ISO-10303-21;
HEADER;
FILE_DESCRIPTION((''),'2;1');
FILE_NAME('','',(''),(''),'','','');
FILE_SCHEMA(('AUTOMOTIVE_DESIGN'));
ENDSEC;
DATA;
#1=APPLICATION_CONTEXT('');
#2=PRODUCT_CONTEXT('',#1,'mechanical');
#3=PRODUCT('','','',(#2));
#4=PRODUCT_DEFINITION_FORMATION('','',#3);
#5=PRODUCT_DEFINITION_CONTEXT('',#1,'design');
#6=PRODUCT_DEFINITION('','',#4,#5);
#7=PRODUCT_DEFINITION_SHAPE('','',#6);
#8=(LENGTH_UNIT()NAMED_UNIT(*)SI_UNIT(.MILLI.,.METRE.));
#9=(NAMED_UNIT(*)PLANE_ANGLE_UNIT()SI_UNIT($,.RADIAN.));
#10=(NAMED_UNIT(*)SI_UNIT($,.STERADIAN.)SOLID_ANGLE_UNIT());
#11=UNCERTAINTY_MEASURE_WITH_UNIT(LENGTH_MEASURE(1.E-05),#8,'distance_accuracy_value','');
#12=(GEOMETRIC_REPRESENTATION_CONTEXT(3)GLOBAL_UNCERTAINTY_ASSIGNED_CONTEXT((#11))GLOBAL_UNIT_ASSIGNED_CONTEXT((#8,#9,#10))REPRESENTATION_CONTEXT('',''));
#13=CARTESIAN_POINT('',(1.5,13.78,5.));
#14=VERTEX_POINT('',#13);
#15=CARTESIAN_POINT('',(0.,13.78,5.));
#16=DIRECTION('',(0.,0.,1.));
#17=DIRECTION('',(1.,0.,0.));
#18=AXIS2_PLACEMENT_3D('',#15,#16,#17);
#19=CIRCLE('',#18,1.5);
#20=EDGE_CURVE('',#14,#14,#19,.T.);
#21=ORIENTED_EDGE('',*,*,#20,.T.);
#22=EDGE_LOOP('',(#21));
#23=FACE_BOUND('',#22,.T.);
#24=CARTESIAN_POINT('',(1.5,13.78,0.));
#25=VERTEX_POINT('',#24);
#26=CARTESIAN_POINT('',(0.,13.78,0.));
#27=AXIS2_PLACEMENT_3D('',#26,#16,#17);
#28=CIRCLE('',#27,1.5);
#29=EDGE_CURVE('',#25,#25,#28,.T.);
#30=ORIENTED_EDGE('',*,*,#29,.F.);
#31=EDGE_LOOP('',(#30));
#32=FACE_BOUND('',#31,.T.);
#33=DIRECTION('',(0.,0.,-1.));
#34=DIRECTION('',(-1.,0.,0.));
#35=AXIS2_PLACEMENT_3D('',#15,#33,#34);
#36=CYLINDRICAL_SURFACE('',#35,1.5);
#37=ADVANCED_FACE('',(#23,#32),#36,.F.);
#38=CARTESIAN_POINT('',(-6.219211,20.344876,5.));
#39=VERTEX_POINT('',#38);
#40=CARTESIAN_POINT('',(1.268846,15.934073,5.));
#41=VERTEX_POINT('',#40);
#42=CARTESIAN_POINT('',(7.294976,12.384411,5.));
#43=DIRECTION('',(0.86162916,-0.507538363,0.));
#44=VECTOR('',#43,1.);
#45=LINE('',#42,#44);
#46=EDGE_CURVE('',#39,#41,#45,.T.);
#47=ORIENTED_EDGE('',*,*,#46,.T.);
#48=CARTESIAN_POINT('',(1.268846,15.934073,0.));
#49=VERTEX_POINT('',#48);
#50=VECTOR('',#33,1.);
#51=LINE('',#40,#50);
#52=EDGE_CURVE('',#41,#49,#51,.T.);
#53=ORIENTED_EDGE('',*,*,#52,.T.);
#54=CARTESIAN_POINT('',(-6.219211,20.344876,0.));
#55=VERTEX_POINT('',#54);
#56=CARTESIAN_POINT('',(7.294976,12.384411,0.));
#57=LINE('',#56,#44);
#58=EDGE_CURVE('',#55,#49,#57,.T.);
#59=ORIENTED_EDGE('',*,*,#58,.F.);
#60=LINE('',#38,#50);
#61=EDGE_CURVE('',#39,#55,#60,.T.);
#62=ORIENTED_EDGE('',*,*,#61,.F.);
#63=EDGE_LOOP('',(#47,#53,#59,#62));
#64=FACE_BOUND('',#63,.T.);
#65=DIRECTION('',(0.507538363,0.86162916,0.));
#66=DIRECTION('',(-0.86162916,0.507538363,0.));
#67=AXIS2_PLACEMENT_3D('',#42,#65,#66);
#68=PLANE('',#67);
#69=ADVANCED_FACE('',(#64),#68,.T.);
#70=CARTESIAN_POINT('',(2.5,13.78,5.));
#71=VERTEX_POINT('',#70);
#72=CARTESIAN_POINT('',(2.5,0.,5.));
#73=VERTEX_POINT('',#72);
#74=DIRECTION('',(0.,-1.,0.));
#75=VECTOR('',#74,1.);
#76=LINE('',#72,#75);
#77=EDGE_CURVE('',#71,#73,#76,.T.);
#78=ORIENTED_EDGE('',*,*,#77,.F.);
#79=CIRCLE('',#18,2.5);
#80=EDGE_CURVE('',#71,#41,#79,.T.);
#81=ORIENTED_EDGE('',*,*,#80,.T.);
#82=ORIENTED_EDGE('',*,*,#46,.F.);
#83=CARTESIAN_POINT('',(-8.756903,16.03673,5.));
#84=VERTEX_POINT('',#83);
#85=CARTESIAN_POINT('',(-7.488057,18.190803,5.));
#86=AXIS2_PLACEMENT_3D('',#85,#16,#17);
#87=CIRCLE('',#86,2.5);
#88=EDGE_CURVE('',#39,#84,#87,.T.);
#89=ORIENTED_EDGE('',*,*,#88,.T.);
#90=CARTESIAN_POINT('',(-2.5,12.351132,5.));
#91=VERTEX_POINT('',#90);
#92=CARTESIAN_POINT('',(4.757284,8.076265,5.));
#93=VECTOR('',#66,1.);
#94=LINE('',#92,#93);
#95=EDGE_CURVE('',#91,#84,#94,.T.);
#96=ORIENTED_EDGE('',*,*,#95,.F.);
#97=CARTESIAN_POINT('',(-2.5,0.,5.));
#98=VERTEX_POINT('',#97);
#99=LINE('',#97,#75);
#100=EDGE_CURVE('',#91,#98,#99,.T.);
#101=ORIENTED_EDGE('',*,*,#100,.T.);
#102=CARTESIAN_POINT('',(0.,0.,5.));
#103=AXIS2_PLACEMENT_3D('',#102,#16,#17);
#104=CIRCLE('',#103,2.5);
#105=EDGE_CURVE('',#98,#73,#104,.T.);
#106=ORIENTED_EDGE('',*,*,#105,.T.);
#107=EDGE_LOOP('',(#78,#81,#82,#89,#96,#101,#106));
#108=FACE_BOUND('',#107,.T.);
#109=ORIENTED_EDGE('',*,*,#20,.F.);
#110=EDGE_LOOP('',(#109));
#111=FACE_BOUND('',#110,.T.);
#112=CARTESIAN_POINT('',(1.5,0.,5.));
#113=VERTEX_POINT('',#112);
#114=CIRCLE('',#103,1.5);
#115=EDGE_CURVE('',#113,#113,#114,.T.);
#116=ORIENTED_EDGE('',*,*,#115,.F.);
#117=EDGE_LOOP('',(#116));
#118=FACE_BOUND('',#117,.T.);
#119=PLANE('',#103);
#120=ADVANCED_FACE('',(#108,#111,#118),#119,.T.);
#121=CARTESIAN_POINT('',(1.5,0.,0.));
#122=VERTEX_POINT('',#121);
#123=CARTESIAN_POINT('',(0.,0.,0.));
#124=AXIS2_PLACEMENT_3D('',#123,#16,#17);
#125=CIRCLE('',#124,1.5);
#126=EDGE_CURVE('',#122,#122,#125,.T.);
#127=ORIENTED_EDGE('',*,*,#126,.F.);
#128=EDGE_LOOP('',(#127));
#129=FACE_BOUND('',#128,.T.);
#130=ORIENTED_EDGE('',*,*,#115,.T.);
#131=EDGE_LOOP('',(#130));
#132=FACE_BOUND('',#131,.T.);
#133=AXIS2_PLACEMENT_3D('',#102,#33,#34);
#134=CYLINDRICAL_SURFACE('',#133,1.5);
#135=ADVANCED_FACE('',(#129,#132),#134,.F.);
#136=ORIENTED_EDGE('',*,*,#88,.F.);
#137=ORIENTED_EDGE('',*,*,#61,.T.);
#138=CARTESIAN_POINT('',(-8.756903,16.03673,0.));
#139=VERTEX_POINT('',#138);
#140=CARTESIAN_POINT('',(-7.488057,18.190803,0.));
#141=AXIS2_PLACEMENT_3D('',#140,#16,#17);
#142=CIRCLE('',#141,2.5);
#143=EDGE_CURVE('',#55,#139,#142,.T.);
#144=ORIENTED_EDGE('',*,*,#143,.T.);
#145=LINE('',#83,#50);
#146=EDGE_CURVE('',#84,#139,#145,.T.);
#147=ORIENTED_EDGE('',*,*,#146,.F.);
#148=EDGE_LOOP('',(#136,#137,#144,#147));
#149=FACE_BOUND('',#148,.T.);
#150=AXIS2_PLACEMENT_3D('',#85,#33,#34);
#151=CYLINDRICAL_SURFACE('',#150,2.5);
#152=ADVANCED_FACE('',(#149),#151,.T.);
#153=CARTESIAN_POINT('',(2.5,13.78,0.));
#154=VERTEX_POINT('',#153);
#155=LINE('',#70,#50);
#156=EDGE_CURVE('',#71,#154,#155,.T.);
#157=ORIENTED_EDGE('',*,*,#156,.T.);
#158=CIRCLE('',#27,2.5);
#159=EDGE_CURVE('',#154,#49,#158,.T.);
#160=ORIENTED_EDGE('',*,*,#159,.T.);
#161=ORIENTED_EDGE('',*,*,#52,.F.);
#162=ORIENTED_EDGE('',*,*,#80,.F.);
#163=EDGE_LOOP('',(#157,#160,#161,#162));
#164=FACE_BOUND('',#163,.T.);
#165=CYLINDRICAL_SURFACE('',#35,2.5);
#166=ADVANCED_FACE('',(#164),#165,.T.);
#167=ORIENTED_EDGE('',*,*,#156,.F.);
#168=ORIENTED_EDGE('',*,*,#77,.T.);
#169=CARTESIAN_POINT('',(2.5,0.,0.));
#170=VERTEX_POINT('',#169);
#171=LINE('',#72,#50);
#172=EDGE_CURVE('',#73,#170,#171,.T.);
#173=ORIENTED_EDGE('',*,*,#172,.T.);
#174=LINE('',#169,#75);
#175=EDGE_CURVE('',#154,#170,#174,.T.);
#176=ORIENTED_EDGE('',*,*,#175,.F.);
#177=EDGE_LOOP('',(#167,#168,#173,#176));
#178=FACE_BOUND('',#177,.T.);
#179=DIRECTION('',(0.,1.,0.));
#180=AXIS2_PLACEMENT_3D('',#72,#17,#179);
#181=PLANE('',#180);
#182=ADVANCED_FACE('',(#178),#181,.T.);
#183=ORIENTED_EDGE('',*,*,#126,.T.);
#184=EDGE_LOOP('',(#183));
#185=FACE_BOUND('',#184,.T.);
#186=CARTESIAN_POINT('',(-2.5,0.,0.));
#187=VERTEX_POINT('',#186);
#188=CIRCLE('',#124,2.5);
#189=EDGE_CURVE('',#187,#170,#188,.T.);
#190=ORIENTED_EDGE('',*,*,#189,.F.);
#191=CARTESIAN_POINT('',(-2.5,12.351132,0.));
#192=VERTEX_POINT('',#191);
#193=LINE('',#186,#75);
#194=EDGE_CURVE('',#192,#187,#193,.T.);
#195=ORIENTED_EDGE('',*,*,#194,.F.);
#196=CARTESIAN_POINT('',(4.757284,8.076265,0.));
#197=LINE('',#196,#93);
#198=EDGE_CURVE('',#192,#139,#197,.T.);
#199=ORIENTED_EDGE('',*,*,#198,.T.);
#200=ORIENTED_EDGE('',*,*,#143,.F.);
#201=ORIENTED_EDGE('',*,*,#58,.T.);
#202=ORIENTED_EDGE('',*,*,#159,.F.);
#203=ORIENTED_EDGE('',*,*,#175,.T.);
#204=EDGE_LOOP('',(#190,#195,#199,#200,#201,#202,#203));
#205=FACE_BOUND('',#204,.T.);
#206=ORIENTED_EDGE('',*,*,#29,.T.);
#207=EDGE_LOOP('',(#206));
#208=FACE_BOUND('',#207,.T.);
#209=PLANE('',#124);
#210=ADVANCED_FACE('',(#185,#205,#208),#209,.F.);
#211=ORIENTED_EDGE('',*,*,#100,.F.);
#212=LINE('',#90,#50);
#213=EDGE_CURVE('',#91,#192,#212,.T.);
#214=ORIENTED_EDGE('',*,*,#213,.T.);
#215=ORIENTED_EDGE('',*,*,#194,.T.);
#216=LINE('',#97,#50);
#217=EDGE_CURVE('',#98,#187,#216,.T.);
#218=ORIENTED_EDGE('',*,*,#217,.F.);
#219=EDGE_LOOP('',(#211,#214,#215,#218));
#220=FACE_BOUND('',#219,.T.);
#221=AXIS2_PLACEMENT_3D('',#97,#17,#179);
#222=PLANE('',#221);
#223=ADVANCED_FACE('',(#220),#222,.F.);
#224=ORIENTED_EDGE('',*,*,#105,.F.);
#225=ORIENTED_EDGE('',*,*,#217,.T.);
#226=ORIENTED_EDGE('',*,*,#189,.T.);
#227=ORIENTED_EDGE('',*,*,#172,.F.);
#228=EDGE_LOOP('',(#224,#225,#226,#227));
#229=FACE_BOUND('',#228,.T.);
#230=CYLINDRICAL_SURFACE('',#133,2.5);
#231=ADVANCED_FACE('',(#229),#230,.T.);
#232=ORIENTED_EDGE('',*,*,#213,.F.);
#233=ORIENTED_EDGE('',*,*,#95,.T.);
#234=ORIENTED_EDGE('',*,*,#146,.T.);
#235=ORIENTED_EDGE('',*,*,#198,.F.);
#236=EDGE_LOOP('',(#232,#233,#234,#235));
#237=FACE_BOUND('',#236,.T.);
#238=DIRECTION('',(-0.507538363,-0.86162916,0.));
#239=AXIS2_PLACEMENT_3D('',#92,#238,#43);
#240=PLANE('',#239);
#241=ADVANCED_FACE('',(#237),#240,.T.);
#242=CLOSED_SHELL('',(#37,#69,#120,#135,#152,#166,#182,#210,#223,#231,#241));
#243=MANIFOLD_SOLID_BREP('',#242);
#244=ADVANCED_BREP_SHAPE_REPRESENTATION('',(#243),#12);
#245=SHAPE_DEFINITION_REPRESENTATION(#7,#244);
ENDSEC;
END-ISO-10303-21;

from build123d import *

# Parameters (mm, degrees)
SKIZZE1_R                       = 1.5
AUFSATZ_LINEAR_AUSTRAGEN1_DEPTH = 5


with BuildPart() as part:
    # Skizze1 → Aufsatz-Linear austragen1 (new body)
    with BuildSketch(Plane.XY):
        with BuildLine():
            ThreePointArc((-2.5, 0), (0, -2.5), (2.5, 0))
            Line((2.5, 0), (2.5, 13.78))
            ThreePointArc((2.5, 13.78), (2.170497036, 15.020541259), (1.268845907, 15.934072901))
            Line((1.268845907, 15.934072901), (-6.219211481, 20.344875789))
            ThreePointArc((-6.219211481, 20.344875789), (-9.64213029, 19.459648795), (-8.756903296, 16.036729986))
            Line((-8.756903296, 16.036729986), (-2.5, 12.351132282))
            Line((-2.5, 12.351132282), (-2.5, 0))
        make_face()
        Circle(SKIZZE1_R, mode=Mode.SUBTRACT)
        with Locations((0, 13.78)):
            Circle(SKIZZE1_R, mode=Mode.SUBTRACT)
    extrude(amount=AUFSATZ_LINEAR_AUSTRAGEN1_DEPTH)


solid = part.part
